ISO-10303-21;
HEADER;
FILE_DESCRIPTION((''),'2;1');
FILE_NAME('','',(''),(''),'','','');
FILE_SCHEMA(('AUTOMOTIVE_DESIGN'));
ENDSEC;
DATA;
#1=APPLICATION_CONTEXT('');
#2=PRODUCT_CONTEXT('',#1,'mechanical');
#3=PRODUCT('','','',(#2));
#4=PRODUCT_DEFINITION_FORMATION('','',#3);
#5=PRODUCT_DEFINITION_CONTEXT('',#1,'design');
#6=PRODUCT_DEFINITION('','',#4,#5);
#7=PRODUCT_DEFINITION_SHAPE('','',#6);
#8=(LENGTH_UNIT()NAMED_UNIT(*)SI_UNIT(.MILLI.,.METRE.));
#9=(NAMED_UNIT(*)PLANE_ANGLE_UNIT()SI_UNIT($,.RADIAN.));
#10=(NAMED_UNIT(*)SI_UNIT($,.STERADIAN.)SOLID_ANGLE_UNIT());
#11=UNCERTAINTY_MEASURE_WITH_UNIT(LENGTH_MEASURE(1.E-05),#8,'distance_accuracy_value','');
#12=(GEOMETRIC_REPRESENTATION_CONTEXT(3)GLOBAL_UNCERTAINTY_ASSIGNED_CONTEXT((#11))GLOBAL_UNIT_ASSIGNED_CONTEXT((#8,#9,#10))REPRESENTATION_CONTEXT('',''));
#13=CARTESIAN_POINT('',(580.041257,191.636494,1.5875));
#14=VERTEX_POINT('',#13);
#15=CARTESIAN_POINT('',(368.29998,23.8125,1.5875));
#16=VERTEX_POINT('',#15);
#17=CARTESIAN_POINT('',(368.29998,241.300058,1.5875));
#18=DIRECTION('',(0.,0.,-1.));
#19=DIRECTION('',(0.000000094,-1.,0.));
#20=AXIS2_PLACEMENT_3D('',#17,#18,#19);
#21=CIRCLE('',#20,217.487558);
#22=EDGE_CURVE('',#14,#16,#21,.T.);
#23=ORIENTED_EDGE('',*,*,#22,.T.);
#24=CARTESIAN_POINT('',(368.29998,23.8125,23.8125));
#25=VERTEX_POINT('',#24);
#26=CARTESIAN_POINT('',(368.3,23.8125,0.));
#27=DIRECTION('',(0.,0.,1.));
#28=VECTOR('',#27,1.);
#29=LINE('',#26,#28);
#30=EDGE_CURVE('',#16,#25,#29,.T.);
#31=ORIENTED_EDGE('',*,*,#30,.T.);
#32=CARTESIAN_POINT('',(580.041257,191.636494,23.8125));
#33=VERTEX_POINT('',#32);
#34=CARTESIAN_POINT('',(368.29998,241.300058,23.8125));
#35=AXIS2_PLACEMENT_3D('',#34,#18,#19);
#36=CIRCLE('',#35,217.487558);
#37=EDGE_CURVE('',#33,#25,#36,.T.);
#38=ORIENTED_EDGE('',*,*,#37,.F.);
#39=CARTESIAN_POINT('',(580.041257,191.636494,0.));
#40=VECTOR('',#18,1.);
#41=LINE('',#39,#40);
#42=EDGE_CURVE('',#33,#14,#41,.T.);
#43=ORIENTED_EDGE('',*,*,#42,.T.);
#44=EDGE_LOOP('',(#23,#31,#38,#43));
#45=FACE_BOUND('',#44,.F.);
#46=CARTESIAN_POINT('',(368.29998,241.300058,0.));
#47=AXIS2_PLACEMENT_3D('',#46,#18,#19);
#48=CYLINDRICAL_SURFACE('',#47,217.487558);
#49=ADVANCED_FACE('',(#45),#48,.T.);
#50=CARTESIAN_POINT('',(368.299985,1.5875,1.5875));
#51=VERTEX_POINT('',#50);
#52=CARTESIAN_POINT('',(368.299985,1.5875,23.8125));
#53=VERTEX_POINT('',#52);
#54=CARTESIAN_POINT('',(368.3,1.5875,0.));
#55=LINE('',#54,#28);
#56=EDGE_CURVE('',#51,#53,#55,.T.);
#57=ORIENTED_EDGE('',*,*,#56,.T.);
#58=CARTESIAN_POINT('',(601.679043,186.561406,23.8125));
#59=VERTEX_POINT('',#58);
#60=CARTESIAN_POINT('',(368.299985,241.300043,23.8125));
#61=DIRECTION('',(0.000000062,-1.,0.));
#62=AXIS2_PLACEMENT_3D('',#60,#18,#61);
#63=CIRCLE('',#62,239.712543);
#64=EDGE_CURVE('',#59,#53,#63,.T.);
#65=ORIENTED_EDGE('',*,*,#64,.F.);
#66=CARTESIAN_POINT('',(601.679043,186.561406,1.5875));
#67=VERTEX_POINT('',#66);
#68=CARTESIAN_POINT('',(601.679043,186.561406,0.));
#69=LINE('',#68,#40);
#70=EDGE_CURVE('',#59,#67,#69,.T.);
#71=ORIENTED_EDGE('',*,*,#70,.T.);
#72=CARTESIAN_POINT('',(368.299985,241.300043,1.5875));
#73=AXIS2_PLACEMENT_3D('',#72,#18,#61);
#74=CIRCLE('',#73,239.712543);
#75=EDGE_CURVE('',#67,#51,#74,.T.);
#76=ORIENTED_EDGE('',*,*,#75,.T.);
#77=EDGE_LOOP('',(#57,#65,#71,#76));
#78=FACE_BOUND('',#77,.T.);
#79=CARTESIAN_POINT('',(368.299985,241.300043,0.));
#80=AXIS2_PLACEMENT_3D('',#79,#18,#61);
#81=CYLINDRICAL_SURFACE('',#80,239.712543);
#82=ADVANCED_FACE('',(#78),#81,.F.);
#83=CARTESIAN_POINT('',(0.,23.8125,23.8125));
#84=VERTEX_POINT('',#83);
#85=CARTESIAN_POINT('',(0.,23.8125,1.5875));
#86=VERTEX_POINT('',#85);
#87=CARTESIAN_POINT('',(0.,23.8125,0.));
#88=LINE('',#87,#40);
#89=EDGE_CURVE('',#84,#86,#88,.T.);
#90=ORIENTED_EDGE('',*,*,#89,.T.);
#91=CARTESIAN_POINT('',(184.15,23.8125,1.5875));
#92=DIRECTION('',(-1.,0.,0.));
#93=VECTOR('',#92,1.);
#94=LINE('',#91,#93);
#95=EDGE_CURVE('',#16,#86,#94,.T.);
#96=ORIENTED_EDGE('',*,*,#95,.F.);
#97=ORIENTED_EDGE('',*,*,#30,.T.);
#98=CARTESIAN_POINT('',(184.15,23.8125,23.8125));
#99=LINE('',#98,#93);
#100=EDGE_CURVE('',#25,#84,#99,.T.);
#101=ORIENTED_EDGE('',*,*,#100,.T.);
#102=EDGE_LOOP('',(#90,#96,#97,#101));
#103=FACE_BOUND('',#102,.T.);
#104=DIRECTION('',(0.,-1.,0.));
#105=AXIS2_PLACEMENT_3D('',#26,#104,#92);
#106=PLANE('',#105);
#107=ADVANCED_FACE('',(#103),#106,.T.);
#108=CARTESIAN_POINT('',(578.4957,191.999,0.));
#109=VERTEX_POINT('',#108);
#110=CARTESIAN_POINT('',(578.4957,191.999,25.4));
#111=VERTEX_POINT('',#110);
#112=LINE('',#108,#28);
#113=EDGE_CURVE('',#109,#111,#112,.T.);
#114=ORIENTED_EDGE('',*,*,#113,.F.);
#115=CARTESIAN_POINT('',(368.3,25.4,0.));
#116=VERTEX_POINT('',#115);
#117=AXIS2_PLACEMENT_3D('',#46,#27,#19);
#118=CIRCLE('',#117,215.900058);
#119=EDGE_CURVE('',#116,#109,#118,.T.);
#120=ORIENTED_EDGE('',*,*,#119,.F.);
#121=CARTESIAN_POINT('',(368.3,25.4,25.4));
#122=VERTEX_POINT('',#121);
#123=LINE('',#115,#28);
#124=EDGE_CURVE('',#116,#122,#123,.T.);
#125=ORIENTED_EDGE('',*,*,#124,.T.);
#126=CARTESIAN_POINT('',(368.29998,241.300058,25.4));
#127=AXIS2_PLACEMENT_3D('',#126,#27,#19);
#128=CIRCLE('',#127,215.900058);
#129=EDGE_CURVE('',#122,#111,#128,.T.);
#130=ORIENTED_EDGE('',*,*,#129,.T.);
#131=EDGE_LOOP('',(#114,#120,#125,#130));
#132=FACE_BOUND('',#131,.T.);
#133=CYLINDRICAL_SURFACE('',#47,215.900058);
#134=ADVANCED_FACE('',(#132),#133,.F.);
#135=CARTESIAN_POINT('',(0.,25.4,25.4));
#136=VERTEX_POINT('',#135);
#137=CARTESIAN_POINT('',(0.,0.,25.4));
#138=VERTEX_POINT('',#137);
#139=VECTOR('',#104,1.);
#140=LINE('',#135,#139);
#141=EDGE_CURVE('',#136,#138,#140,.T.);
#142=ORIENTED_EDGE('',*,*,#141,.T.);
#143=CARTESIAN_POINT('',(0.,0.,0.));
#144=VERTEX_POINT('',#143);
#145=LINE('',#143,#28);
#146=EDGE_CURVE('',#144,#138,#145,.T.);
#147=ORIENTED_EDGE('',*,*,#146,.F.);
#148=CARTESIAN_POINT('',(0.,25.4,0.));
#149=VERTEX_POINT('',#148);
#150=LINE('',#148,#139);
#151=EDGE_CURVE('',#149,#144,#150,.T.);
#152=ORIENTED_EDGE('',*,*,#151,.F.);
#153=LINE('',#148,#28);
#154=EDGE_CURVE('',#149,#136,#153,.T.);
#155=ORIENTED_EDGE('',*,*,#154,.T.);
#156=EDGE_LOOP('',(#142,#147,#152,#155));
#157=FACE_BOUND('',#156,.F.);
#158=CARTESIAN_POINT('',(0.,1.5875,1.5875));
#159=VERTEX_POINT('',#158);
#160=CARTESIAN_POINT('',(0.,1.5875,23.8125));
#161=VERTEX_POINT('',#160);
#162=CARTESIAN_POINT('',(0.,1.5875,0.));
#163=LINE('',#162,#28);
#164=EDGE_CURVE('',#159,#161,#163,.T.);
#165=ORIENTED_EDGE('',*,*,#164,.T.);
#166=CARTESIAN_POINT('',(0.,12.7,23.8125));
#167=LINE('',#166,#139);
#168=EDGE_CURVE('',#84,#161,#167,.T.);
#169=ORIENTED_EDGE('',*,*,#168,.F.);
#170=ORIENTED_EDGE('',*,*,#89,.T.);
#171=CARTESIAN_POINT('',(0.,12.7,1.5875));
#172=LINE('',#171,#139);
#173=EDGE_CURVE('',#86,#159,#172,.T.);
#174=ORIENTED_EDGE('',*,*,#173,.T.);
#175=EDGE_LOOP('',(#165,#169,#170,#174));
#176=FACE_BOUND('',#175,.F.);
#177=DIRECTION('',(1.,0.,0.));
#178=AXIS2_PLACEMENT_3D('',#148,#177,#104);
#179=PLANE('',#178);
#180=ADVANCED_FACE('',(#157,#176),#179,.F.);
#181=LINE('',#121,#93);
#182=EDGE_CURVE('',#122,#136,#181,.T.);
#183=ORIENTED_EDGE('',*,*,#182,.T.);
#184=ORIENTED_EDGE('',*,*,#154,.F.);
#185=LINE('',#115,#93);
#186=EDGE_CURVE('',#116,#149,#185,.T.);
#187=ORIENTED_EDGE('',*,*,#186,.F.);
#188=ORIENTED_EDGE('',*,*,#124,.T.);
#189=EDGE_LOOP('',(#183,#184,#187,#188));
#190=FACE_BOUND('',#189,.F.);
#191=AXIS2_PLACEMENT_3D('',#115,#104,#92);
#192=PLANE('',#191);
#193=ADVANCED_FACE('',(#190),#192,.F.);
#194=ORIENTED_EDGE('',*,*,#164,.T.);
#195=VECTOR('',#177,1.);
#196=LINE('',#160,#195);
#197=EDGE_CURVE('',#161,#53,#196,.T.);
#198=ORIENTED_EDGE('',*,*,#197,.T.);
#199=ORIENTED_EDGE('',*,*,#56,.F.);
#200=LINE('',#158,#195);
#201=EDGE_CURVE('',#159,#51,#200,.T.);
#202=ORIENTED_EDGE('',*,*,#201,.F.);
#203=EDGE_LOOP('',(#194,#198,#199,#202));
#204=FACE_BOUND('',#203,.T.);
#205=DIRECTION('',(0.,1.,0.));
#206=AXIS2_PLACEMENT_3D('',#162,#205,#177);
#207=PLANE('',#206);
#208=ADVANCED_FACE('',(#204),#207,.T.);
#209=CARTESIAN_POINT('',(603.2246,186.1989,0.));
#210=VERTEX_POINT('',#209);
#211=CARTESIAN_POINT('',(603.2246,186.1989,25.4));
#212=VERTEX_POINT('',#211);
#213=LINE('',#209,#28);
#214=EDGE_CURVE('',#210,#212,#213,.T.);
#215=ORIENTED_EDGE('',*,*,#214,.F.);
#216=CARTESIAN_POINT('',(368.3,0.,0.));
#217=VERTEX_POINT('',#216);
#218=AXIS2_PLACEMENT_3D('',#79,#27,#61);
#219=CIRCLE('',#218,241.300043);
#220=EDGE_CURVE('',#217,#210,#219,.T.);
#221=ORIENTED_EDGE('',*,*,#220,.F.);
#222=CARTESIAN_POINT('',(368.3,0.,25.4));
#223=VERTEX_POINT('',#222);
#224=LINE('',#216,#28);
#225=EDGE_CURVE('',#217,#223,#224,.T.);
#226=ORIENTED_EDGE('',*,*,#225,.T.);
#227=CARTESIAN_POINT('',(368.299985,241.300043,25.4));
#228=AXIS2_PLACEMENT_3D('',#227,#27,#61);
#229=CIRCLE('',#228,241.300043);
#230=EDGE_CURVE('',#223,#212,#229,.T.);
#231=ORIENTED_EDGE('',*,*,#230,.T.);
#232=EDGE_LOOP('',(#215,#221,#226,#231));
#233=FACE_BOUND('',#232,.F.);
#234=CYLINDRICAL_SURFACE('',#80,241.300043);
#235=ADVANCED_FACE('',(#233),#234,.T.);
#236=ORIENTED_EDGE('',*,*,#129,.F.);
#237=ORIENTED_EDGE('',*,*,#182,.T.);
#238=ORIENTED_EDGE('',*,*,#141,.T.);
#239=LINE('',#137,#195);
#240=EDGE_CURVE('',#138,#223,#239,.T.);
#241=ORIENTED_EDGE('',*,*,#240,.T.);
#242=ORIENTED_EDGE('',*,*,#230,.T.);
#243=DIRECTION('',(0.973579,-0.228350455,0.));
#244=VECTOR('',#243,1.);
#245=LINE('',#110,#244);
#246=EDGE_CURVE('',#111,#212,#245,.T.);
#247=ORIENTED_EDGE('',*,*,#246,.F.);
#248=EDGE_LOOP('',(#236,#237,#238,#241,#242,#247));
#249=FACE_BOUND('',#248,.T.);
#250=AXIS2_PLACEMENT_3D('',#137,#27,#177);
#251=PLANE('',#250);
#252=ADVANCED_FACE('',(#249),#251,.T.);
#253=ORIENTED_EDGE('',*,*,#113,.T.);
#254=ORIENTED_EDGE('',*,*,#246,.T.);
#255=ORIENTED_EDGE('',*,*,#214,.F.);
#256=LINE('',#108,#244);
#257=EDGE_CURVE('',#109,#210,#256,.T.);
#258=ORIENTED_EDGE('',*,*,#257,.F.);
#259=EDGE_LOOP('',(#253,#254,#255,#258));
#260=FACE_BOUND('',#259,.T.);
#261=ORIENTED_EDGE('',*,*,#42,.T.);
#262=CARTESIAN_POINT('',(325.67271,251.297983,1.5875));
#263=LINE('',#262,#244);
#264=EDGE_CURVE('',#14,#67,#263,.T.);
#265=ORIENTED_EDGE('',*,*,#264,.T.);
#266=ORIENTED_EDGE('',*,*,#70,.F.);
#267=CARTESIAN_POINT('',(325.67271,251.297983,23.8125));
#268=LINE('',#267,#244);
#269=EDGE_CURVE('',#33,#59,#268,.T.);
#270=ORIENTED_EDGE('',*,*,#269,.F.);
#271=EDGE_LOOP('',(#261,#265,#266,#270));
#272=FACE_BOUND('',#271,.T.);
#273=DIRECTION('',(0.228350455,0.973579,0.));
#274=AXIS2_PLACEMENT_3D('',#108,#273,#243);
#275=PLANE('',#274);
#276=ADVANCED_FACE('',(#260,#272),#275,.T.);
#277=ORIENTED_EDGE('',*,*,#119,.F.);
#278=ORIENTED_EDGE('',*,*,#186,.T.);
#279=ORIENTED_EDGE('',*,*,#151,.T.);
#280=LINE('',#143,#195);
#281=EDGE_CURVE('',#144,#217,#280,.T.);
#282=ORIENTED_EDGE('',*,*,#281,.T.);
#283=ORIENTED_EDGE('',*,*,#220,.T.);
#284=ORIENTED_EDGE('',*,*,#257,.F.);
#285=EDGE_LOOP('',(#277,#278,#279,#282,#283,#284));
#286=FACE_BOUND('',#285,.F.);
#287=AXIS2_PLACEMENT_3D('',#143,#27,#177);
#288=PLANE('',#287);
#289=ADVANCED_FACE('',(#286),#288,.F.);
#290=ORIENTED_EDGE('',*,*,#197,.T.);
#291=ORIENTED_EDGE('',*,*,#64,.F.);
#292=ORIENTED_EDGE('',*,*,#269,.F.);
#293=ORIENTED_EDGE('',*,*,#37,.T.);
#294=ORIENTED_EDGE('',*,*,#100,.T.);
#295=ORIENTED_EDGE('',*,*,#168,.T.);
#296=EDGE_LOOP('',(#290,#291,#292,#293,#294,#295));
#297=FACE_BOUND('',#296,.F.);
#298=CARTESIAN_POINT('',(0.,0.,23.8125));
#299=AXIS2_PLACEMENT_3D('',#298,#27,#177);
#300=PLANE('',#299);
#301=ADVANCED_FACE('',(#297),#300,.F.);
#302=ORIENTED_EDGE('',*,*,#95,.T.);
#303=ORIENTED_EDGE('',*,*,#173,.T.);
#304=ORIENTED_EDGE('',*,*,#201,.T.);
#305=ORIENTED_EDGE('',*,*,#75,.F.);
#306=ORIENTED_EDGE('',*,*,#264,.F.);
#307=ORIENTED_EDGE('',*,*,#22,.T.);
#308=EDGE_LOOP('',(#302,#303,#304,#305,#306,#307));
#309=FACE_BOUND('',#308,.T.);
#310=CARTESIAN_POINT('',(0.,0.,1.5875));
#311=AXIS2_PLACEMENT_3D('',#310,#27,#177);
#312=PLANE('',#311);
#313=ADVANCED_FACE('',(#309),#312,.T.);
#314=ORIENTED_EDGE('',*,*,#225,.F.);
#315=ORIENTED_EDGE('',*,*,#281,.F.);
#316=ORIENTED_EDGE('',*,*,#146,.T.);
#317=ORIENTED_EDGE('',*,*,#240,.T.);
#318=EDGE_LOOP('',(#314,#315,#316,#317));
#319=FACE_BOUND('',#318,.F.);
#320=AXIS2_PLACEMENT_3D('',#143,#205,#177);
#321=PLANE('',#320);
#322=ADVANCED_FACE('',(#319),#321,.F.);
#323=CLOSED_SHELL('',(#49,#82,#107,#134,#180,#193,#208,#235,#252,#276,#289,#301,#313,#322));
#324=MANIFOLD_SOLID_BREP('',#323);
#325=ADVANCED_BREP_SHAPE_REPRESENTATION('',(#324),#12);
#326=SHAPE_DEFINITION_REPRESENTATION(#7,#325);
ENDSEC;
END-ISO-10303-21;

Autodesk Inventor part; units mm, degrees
ref_plane "YZ Plane" through (0, 0, 0) normal (1, 0, 0) x (0, 1, 0)
ref_plane "XZ Plane" through (0, 0, 0) normal (0, 1, 0) x (-1, 0, 0)
ref_plane "XY Plane" through (0, 0, 0) normal (0, 0, 1) x (1, 0, 0)
sketch "Sketch1" plane through (0, 0, 0) normal (0, 0, 1) x (1, 0, 0)
  arc A0 (368.3, 25.4) -> (578.4957, 191.999) centre (368.3, 241.3) ccw
  arc A1 (368.3, 0) -> (603.2246, 186.1989) centre (368.3, 241.3) ccw
  line L0 (368.3, 25.4) -> (0, 25.4)
  line L1 (0, 25.4) -> (0, 0)
  line L2 (0, 0) -> (368.3, 0)
  line L3 (578.4957, 191.999) -> (603.2246, 186.1989)
  line L4 (368.3, 25.4) -> (368.3, 241.3) construction
  line L5 (368.3, 241.3) -> (578.4957, 191.999) construction
  dimension "d5" = 25.4
  dimension "d6" = 215.9
  dimension "d7" = 368.3
  dimension "d8" = 76.8
extrude "Extrusion1" add sketch "Sketch1" along normal blind 25.4
shell "Shell1" thickness 1.5875 removed faces 2 at (0, 8.4667, 8.4667) at (586.7387, 190.0657, 16.9333)
properties part number "Frame_RearBallGuide"
